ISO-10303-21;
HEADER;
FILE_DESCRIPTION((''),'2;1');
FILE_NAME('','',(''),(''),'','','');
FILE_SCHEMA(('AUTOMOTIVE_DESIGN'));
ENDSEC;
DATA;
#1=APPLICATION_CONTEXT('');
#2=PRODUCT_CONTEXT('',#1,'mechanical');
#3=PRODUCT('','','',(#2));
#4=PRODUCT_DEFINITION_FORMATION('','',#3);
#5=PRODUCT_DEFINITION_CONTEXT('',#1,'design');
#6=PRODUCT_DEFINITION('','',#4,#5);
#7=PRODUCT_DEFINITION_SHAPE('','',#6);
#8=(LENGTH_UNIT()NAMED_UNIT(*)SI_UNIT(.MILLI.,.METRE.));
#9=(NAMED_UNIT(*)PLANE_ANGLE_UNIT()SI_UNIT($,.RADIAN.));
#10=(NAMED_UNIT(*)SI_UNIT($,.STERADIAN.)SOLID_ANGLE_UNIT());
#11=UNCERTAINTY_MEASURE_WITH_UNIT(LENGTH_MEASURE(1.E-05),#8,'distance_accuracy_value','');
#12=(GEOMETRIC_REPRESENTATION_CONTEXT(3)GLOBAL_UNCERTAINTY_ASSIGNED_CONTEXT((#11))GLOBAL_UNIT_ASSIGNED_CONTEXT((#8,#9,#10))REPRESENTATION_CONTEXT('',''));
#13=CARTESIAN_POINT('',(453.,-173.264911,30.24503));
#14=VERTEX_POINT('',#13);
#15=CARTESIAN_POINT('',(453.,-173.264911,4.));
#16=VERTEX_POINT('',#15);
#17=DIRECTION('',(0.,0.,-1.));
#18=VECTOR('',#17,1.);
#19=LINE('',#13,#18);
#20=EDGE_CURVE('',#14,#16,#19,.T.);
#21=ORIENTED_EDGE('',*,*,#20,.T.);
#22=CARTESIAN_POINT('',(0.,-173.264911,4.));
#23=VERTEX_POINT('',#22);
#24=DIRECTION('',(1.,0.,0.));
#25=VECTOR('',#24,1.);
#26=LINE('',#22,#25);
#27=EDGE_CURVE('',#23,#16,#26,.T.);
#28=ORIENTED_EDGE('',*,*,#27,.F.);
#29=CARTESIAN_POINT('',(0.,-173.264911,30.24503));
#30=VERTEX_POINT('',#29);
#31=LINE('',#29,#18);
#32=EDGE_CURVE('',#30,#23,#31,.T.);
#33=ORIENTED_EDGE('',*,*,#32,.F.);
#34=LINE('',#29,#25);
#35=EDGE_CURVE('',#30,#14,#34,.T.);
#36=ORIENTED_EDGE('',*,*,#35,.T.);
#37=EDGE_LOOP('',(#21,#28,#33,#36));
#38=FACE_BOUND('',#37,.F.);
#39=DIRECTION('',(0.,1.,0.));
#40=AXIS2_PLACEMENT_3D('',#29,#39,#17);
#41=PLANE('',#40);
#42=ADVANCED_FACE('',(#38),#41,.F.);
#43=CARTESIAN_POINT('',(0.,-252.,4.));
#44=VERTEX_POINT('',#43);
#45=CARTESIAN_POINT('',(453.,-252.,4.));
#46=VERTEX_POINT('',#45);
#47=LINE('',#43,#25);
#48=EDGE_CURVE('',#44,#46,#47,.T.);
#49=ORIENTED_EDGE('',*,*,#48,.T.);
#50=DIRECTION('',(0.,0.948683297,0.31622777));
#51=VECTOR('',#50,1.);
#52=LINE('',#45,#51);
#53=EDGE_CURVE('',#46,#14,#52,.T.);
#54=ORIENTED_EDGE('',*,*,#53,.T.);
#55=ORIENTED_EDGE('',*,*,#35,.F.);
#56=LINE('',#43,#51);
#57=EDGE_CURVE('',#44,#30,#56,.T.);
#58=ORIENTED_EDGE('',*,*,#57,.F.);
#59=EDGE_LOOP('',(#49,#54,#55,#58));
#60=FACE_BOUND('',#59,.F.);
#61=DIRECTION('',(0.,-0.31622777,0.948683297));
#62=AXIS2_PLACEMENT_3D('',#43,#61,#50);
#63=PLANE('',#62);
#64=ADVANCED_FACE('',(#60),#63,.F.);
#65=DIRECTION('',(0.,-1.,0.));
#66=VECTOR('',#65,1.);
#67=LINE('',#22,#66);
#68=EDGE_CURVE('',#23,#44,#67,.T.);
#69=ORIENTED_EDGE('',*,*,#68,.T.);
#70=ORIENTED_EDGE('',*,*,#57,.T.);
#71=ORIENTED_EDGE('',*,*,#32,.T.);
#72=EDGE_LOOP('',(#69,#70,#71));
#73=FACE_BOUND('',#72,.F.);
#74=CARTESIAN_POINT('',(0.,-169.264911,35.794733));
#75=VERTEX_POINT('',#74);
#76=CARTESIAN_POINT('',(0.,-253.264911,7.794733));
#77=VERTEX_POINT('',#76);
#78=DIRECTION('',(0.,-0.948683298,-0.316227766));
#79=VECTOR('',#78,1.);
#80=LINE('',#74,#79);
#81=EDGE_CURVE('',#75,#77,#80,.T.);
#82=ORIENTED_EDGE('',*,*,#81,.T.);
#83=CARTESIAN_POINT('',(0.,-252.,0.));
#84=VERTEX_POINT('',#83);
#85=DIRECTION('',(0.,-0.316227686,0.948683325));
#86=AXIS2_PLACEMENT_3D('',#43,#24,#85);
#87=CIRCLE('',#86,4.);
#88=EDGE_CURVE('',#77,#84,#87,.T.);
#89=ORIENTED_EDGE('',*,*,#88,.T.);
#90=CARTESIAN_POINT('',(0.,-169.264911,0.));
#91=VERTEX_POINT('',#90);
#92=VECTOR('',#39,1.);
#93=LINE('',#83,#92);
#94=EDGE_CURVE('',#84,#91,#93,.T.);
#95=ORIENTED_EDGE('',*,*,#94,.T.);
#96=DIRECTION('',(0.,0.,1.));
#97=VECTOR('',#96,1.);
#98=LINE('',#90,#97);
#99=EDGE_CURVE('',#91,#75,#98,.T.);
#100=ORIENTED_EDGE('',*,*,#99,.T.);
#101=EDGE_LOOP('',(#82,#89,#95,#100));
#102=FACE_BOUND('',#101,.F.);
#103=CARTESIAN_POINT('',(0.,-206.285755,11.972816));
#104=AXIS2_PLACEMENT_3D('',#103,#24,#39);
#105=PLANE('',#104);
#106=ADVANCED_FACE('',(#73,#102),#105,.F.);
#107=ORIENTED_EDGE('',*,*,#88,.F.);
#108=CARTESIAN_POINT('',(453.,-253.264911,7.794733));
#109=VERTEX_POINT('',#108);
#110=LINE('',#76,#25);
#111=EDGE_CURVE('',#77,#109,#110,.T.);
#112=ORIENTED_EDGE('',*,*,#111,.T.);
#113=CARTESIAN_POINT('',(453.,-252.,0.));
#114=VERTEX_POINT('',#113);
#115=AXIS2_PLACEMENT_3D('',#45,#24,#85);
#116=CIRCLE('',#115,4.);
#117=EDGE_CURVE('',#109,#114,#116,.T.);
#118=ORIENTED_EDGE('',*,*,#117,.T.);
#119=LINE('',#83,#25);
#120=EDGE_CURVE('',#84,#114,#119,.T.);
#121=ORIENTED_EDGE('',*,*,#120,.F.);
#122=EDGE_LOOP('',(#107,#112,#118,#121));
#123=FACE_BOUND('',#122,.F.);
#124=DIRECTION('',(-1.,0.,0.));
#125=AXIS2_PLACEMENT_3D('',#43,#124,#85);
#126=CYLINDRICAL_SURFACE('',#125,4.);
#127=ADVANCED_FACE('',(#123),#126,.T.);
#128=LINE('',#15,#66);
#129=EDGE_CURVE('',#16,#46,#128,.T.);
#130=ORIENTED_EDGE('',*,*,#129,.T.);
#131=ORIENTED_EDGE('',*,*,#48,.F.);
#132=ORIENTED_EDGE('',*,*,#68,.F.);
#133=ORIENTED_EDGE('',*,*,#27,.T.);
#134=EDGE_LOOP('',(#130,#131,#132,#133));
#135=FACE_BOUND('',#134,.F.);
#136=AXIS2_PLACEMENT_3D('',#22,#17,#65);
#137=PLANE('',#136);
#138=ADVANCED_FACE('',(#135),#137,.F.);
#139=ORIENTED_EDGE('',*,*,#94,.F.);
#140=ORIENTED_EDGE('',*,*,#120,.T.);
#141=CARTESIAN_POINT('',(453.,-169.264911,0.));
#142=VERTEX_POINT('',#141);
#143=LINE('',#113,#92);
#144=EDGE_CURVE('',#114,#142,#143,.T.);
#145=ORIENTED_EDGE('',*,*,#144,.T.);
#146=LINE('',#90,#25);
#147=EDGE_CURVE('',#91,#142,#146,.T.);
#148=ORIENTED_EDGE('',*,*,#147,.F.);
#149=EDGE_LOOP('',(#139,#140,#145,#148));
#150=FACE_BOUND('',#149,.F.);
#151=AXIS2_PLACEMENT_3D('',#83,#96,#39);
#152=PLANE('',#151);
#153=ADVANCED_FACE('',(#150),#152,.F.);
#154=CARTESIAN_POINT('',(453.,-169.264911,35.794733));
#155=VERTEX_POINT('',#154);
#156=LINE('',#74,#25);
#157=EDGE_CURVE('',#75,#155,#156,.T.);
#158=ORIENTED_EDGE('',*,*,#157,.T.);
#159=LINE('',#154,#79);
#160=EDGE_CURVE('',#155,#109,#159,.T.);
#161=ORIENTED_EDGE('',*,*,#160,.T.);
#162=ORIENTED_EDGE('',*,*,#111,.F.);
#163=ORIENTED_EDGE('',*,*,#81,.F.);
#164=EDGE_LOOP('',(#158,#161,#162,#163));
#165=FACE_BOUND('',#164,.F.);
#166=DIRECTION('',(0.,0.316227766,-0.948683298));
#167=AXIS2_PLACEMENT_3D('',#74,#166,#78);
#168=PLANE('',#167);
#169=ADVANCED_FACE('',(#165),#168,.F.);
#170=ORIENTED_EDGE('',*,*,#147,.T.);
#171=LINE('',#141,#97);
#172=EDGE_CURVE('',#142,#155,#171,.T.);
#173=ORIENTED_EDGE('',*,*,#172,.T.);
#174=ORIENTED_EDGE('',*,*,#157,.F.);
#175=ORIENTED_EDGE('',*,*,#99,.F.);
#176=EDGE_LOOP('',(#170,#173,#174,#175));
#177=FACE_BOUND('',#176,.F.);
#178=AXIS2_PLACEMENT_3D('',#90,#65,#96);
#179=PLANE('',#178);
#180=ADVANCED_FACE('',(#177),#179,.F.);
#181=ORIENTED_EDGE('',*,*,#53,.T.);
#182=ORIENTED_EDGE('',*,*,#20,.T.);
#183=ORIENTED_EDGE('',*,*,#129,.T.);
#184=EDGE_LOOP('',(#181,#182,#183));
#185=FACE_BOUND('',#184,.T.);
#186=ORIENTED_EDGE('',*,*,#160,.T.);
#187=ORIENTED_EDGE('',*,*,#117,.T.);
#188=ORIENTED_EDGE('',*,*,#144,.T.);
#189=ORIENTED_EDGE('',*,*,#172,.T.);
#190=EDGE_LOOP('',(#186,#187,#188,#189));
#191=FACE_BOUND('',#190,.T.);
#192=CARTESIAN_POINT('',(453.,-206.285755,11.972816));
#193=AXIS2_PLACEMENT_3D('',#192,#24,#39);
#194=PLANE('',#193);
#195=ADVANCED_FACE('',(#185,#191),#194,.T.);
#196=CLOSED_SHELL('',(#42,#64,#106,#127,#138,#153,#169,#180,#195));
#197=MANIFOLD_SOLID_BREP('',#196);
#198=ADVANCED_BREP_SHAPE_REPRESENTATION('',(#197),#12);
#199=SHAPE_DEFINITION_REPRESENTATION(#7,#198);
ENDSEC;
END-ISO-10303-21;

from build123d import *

# Parameters (mm, degrees)
F1_DEPTH = 453


with BuildPart() as f1:
    # F0 (on Right) → F1 (new body)
    with BuildSketch(Plane.YZ):
        with BuildLine():
            Line((-252, 0), (-169.264911, 0))
            Line((-169.264911, 0), (-169.264911, 35.794733))
            Line((-169.264911, 35.794733), (-253.264911, 7.794733))
            ThreePointArc((-253.264911, 7.794733), (-255.94835, 3.359271), (-252, 0))
        make_face()
        Polygon((-252, 4), (-173.264911, 30.24503), (-173.264911, 4), align=None, mode=Mode.SUBTRACT)
    extrude(amount=F1_DEPTH)


solid = f1.part
